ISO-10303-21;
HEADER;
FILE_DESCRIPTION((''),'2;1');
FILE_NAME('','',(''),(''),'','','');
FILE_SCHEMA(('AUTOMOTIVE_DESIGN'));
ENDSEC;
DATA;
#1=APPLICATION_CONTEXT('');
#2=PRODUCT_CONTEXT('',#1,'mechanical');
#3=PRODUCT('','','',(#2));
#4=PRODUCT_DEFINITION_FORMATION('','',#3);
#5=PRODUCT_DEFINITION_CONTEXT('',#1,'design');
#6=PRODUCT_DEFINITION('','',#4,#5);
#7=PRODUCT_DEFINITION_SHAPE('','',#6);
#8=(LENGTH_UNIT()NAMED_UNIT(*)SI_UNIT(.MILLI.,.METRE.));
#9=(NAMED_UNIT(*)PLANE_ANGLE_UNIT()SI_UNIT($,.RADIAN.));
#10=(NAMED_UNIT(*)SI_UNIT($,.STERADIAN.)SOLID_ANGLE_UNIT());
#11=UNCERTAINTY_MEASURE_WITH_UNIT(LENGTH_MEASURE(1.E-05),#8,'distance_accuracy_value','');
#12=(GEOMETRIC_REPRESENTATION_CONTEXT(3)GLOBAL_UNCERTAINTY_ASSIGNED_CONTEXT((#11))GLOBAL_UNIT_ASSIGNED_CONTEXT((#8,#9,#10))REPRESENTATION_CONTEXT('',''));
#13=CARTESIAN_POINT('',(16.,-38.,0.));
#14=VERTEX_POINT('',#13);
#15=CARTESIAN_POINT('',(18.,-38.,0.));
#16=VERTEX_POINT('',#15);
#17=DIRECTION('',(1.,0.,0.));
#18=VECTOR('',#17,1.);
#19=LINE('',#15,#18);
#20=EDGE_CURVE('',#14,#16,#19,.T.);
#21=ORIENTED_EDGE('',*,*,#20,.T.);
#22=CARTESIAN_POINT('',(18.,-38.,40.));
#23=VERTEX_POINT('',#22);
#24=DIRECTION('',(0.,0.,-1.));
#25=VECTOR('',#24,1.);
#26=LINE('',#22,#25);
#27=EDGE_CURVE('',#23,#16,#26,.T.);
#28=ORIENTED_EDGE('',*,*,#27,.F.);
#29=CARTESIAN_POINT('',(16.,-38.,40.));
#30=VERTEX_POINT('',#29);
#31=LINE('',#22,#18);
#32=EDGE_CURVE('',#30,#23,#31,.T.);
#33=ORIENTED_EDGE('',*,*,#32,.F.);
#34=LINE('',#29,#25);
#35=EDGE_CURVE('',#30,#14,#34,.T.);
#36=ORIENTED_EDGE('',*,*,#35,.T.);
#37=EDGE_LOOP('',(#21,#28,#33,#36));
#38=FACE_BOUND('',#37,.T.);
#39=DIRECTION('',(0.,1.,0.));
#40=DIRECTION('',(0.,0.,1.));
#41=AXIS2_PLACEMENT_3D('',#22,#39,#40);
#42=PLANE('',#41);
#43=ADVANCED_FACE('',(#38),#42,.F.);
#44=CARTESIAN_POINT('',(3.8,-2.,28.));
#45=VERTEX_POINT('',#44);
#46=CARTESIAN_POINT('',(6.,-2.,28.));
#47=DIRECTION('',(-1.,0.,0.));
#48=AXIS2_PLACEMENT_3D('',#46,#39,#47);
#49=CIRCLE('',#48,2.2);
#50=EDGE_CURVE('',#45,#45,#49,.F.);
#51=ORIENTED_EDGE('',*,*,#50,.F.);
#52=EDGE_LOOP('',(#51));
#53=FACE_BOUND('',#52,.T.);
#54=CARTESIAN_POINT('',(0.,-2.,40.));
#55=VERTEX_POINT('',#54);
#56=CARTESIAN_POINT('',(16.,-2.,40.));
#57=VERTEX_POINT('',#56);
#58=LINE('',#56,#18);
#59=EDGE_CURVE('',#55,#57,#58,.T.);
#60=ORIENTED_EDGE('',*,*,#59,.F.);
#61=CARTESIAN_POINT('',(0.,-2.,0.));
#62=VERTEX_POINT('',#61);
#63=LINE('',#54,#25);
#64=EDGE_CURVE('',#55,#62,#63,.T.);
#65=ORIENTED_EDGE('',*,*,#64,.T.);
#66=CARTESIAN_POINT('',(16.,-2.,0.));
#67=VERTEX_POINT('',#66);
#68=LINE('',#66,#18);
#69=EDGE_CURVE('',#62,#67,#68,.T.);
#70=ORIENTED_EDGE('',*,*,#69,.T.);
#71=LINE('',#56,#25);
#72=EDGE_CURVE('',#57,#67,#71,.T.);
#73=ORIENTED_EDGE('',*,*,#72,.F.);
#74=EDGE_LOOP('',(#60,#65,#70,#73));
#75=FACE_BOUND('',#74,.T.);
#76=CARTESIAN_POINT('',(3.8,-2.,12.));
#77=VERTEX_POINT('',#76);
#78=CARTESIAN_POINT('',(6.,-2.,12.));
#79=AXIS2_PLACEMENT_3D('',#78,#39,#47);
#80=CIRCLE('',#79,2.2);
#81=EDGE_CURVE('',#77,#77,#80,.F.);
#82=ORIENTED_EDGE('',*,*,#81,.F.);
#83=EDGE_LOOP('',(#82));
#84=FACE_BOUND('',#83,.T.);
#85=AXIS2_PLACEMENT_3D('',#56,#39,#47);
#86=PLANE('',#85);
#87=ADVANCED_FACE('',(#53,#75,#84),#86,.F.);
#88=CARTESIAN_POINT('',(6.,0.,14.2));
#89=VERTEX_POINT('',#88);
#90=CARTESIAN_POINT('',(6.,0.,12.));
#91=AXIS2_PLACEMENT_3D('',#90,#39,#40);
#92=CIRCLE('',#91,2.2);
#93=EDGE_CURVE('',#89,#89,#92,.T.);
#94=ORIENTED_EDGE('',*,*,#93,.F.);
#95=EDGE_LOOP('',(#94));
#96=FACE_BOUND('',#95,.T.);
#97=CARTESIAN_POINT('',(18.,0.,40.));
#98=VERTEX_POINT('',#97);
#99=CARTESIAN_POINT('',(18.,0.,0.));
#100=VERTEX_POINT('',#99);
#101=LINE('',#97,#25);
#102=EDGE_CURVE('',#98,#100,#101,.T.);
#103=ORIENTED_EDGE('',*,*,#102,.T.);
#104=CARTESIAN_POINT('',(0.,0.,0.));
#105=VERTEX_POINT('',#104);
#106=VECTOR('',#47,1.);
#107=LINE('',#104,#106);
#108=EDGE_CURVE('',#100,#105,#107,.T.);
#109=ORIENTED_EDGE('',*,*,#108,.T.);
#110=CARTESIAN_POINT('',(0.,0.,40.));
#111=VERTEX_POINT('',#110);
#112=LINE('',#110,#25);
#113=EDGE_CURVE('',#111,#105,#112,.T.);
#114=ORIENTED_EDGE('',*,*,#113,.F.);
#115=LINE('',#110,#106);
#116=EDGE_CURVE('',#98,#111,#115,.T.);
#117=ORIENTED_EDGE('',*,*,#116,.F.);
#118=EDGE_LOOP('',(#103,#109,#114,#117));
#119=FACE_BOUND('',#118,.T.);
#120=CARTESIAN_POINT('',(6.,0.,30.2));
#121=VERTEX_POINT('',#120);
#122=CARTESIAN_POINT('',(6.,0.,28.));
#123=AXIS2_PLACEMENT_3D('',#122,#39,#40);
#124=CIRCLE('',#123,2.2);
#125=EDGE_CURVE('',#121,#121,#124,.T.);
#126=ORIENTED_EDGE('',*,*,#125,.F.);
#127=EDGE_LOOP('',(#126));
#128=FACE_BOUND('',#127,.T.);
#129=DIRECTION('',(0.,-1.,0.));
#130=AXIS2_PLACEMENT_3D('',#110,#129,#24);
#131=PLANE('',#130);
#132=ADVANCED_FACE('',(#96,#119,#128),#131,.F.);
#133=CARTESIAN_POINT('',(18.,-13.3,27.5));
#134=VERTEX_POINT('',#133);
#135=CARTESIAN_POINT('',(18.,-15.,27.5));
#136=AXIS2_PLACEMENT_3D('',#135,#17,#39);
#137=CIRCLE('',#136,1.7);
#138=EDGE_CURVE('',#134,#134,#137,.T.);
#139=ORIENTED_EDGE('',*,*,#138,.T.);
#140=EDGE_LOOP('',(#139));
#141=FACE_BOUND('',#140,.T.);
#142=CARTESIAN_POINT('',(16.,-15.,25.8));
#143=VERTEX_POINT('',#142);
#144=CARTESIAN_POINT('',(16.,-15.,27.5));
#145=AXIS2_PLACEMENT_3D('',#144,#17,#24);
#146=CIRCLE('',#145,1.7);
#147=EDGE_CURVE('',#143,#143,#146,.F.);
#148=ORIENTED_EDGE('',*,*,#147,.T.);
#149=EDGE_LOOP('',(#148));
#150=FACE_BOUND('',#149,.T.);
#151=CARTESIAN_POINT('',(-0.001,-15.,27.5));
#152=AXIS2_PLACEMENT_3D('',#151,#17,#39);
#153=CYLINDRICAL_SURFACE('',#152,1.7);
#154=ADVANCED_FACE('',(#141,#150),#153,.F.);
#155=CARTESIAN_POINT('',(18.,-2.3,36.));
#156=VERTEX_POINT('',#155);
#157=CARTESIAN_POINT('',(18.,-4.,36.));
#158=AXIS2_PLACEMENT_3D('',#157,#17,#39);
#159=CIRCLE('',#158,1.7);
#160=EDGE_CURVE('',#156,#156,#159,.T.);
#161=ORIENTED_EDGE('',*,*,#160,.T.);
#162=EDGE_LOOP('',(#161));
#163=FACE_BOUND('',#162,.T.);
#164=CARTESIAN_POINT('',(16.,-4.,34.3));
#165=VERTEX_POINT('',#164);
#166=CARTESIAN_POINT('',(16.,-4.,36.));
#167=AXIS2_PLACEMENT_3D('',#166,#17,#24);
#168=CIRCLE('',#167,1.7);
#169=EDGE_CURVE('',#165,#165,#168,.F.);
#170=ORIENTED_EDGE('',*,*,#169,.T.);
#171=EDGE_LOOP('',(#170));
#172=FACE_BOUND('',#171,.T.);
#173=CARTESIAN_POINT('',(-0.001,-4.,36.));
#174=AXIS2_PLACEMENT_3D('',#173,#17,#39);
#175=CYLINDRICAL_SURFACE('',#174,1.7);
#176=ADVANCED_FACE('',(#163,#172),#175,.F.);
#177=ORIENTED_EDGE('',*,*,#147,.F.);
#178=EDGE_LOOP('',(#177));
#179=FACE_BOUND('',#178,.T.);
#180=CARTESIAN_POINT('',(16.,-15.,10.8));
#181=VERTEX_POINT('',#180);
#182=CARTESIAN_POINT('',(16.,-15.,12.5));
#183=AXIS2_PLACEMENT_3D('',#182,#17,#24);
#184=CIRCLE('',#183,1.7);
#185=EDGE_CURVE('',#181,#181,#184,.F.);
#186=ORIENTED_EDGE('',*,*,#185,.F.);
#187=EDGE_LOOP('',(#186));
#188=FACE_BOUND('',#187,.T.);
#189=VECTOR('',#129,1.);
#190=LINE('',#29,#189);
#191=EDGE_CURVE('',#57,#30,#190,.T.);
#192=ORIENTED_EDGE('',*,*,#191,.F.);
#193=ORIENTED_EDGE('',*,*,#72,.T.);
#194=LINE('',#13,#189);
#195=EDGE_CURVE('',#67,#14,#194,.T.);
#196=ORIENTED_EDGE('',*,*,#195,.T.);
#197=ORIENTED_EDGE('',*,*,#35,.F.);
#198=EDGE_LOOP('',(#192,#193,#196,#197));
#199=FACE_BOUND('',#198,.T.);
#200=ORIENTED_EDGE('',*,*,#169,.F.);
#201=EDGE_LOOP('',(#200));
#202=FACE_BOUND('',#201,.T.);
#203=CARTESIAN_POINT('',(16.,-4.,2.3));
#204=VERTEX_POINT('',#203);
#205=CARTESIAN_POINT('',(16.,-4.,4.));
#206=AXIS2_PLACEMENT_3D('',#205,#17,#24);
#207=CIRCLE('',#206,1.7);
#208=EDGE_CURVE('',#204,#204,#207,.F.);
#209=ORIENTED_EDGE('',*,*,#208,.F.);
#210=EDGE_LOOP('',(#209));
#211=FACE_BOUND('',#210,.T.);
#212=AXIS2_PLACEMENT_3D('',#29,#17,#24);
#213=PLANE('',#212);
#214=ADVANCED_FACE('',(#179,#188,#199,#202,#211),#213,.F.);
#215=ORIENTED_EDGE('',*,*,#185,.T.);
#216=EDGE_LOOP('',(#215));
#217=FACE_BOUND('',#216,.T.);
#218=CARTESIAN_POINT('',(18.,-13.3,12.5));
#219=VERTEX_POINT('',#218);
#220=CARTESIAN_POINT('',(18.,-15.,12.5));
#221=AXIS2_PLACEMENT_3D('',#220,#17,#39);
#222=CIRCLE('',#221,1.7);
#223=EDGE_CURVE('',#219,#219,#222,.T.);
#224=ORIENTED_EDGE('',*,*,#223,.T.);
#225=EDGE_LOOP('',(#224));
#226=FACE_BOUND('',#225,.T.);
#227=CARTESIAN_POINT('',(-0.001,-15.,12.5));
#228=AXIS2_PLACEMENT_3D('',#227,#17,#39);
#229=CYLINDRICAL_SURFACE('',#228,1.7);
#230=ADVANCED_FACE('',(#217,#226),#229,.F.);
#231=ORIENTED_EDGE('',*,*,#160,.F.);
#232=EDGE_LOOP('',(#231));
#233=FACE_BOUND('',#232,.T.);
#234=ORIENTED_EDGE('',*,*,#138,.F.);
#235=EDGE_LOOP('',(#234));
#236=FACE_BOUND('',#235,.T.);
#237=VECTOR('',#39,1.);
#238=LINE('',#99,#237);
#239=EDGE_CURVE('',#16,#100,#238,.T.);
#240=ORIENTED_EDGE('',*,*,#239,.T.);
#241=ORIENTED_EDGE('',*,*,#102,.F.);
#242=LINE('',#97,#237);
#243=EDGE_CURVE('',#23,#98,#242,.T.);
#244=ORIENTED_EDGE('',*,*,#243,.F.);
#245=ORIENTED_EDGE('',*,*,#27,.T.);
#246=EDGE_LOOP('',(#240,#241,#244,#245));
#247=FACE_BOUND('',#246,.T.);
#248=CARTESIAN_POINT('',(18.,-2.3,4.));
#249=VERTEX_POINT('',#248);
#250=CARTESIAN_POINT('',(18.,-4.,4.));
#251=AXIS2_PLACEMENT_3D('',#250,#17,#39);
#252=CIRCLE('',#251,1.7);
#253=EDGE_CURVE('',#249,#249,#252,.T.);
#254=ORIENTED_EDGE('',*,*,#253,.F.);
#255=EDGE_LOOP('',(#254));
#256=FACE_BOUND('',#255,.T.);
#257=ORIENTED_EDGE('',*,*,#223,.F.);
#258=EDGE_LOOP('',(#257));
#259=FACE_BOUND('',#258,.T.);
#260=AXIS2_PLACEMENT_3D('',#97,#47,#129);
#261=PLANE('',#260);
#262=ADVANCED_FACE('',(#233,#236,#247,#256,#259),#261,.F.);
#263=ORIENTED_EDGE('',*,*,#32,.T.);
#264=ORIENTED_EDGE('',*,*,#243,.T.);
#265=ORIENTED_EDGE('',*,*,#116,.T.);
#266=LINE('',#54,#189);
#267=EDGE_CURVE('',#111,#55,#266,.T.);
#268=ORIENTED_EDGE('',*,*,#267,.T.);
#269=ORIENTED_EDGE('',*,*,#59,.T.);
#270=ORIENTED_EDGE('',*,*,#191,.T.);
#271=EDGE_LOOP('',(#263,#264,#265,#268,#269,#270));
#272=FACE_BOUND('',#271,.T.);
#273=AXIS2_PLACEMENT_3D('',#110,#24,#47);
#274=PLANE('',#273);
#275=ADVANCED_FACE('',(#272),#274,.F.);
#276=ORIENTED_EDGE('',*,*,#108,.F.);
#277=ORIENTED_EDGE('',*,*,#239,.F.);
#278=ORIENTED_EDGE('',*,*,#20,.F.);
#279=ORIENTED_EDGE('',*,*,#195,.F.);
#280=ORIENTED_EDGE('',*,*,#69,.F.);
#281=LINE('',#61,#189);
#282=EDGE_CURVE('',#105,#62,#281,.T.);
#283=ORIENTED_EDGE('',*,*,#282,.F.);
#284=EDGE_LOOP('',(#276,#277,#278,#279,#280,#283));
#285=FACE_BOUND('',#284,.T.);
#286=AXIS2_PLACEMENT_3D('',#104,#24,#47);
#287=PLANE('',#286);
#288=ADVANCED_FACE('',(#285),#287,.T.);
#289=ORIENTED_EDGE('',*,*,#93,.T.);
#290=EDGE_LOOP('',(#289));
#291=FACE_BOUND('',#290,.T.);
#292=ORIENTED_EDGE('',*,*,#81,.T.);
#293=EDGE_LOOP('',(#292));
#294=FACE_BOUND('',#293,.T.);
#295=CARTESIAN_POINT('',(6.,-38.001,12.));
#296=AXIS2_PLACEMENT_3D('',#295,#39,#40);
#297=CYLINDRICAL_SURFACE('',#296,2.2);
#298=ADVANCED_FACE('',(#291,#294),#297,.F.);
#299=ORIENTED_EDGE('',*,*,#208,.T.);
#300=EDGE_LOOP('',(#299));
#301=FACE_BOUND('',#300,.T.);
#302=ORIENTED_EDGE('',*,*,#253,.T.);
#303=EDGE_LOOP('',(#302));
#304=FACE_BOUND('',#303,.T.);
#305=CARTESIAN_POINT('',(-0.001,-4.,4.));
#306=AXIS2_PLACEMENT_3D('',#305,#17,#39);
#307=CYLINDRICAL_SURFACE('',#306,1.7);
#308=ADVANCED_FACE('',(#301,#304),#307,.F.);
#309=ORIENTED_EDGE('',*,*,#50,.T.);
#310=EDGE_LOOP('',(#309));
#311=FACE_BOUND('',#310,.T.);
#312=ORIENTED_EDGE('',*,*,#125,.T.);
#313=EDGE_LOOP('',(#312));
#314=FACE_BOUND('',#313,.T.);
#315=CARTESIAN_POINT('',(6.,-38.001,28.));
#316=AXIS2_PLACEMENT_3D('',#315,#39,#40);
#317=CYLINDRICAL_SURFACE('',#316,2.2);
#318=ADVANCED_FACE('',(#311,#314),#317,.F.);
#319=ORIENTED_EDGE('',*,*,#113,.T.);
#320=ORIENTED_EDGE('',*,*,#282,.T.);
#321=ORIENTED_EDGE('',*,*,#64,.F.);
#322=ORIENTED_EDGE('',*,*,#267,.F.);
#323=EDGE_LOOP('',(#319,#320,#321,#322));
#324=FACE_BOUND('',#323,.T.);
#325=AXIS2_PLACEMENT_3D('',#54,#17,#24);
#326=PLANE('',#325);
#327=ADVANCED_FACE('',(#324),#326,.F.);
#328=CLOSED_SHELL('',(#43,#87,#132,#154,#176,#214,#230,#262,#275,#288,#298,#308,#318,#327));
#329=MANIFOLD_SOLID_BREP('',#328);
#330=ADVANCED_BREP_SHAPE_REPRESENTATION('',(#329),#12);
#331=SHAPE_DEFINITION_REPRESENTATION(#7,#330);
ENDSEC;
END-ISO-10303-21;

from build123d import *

# Parameters (mm, degrees)
EXTRUDE_1_DEPTH     = 40
CUT_EXTRUDE_1_REACH = 60.034
SKETCH_2_R          = 2.2
CUT_EXTRUDE_2_REACH = 60.034
SKETCH_3_R          = 1.7


with BuildPart() as part:
    # 草图1 → 凸台-拉伸1 (new body)
    with BuildSketch(Plane.XY):
        Polygon((0, 0), (18, 0), (18, -38), (16, -38), (16, -2), (0, -2), align=None)
    extrude(amount=EXTRUDE_1_DEPTH)

    # 草图2 → 切除-拉伸1 (cut, up to next)
    with BuildSketch(Plane(origin=(0, 0, 0), x_dir=(1, 0, 0), z_dir=(0, 1, 0)), mode=Mode.PRIVATE) as cut_extrude_1_sk1:
        with Locations(Location((6, -28, 0), (0, 0, 270))):
            Circle(SKETCH_2_R)
    cut_extrude_1_tool1 = extrude(cut_extrude_1_sk1.sketch, amount=-CUT_EXTRUDE_1_REACH, mode=Mode.PRIVATE) & part.part
    # 草图2 → 切除-拉伸1 (cut, up to next)
    with BuildSketch(Plane(origin=(0, 0, 0), x_dir=(1, 0, 0), z_dir=(0, 1, 0)), mode=Mode.PRIVATE) as cut_extrude_1_sk2:
        with Locations(Location((6, -12, 0), (0, 0, 270))):
            Circle(SKETCH_2_R)
    cut_extrude_1_tool2 = extrude(cut_extrude_1_sk2.sketch, amount=-CUT_EXTRUDE_1_REACH, mode=Mode.PRIVATE) & part.part
    add(cut_extrude_1_tool1.solids().sort_by_distance((6, 0, 28))[0], mode=Mode.SUBTRACT)
    add(cut_extrude_1_tool2.solids().sort_by_distance((6, 0, 12))[0], mode=Mode.SUBTRACT)

    # 草图3 → 切除-拉伸2 (cut, up to next)
    with BuildSketch(Plane(origin=(18, 0, 0), x_dir=(0, 0, -1), z_dir=(1, 0, 0)), mode=Mode.PRIVATE) as cut_extrude_2_sk1:
        with Locations(Location((-27.5, -15, 0), (0, 0, 90))):
            Circle(SKETCH_3_R)
    cut_extrude_2_tool1 = extrude(cut_extrude_2_sk1.sketch, amount=-CUT_EXTRUDE_2_REACH, mode=Mode.PRIVATE) & part.part
    # 草图3 → 切除-拉伸2 (cut, up to next)
    with BuildSketch(Plane(origin=(18, 0, 0), x_dir=(0, 0, -1), z_dir=(1, 0, 0)), mode=Mode.PRIVATE) as cut_extrude_2_sk2:
        with Locations(Location((-12.5, -15, 0), (0, 0, 90))):
            Circle(SKETCH_3_R)
    cut_extrude_2_tool2 = extrude(cut_extrude_2_sk2.sketch, amount=-CUT_EXTRUDE_2_REACH, mode=Mode.PRIVATE) & part.part
    # 草图3 → 切除-拉伸2 (cut, up to next)
    with BuildSketch(Plane(origin=(18, 0, 0), x_dir=(0, 0, -1), z_dir=(1, 0, 0)), mode=Mode.PRIVATE) as cut_extrude_2_sk3:
        with Locations(Location((-36, -4, 0), (0, 0, 90))):
            Circle(SKETCH_3_R)
    cut_extrude_2_tool3 = extrude(cut_extrude_2_sk3.sketch, amount=-CUT_EXTRUDE_2_REACH, mode=Mode.PRIVATE) & part.part
    # 草图3 → 切除-拉伸2 (cut, up to next)
    with BuildSketch(Plane(origin=(18, 0, 0), x_dir=(0, 0, -1), z_dir=(1, 0, 0)), mode=Mode.PRIVATE) as cut_extrude_2_sk4:
        with Locations(Location((-4, -4, 0), (0, 0, 90))):
            Circle(SKETCH_3_R)
    cut_extrude_2_tool4 = extrude(cut_extrude_2_sk4.sketch, amount=-CUT_EXTRUDE_2_REACH, mode=Mode.PRIVATE) & part.part
    add(cut_extrude_2_tool1.solids().sort_by_distance((18, -15, 27.5))[0], mode=Mode.SUBTRACT)
    add(cut_extrude_2_tool2.solids().sort_by_distance((18, -15, 12.5))[0], mode=Mode.SUBTRACT)
    add(cut_extrude_2_tool3.solids().sort_by_distance((18, -4, 36))[0], mode=Mode.SUBTRACT)
    add(cut_extrude_2_tool4.solids().sort_by_distance((18, -4, 4))[0], mode=Mode.SUBTRACT)


solid = part.part
